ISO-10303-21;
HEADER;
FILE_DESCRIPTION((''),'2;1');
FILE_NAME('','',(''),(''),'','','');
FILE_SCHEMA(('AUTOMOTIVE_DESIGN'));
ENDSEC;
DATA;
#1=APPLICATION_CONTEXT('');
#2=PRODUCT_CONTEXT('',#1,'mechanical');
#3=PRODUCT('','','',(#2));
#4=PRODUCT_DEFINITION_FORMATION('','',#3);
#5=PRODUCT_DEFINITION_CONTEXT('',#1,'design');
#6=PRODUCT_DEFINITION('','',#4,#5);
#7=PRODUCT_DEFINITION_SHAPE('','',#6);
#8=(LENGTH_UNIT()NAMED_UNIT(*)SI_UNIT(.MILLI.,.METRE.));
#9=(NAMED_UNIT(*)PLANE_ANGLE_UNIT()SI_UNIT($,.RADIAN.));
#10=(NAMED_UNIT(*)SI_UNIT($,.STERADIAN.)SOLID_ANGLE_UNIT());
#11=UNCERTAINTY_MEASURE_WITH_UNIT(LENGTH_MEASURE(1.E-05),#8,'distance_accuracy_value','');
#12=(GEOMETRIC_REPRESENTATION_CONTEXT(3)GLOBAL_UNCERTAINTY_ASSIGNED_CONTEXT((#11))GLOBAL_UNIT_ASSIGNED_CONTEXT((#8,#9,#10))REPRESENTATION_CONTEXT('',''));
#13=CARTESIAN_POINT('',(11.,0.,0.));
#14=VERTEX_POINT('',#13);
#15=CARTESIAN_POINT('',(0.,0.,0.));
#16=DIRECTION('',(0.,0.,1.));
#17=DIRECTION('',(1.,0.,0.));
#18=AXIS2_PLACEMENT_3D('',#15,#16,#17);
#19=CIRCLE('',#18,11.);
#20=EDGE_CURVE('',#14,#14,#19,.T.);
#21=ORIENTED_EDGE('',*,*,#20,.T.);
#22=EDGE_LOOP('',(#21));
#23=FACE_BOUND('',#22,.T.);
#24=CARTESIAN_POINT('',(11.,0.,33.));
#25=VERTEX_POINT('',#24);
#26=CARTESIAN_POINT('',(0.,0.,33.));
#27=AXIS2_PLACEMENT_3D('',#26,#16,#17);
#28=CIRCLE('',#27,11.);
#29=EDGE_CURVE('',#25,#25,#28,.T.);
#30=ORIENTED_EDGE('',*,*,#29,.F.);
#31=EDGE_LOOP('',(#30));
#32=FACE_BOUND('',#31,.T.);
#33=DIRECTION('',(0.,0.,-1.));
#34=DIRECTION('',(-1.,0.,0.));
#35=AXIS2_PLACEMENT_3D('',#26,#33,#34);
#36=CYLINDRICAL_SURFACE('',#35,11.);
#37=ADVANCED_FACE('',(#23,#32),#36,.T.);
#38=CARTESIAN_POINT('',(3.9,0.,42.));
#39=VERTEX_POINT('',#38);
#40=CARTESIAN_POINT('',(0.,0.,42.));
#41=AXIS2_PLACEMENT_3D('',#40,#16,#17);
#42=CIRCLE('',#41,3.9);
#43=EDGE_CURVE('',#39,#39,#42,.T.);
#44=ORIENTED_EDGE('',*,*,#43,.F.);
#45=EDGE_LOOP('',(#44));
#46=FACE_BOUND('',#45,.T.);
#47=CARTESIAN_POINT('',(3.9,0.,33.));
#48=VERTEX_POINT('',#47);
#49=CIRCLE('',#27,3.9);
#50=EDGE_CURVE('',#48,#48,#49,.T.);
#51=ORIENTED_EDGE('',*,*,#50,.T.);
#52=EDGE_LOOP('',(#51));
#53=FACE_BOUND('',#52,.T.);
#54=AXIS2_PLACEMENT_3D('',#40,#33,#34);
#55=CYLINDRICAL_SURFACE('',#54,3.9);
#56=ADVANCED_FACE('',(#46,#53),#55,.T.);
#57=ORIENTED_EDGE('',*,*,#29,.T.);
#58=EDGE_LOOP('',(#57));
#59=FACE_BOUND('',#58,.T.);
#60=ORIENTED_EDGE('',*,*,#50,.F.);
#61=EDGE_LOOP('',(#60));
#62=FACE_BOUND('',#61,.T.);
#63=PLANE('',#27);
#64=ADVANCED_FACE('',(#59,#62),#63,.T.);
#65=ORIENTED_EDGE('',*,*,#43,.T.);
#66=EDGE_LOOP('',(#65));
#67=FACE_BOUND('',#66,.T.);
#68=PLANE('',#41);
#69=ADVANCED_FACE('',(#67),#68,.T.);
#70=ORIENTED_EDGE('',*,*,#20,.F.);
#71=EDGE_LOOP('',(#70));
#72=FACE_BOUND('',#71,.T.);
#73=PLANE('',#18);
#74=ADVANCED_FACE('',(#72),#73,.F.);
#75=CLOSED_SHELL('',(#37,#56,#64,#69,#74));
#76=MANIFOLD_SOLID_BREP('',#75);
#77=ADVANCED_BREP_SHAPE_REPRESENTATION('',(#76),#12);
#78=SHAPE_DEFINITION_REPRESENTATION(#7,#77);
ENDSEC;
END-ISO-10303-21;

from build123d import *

# Parameters (mm, degrees)
ESQUISSE1_R        = 11
BOSS_EXTRU_1_DEPTH = 33
ESQUISSE2_R        = 3.9
BOSS_EXTRU_2_DEPTH = 9


with BuildPart() as part:
    # Esquisse1 → Boss.-Extru.1 (new body)
    with BuildSketch(Plane.XY):
        Circle(ESQUISSE1_R)
    extrude(amount=BOSS_EXTRU_1_DEPTH)

    # Esquisse2 → Boss.-Extru.2 (add)
    with BuildSketch(Plane.XY.offset(33)):
        Circle(ESQUISSE2_R)
    extrude(amount=BOSS_EXTRU_2_DEPTH)


solid = part.part
